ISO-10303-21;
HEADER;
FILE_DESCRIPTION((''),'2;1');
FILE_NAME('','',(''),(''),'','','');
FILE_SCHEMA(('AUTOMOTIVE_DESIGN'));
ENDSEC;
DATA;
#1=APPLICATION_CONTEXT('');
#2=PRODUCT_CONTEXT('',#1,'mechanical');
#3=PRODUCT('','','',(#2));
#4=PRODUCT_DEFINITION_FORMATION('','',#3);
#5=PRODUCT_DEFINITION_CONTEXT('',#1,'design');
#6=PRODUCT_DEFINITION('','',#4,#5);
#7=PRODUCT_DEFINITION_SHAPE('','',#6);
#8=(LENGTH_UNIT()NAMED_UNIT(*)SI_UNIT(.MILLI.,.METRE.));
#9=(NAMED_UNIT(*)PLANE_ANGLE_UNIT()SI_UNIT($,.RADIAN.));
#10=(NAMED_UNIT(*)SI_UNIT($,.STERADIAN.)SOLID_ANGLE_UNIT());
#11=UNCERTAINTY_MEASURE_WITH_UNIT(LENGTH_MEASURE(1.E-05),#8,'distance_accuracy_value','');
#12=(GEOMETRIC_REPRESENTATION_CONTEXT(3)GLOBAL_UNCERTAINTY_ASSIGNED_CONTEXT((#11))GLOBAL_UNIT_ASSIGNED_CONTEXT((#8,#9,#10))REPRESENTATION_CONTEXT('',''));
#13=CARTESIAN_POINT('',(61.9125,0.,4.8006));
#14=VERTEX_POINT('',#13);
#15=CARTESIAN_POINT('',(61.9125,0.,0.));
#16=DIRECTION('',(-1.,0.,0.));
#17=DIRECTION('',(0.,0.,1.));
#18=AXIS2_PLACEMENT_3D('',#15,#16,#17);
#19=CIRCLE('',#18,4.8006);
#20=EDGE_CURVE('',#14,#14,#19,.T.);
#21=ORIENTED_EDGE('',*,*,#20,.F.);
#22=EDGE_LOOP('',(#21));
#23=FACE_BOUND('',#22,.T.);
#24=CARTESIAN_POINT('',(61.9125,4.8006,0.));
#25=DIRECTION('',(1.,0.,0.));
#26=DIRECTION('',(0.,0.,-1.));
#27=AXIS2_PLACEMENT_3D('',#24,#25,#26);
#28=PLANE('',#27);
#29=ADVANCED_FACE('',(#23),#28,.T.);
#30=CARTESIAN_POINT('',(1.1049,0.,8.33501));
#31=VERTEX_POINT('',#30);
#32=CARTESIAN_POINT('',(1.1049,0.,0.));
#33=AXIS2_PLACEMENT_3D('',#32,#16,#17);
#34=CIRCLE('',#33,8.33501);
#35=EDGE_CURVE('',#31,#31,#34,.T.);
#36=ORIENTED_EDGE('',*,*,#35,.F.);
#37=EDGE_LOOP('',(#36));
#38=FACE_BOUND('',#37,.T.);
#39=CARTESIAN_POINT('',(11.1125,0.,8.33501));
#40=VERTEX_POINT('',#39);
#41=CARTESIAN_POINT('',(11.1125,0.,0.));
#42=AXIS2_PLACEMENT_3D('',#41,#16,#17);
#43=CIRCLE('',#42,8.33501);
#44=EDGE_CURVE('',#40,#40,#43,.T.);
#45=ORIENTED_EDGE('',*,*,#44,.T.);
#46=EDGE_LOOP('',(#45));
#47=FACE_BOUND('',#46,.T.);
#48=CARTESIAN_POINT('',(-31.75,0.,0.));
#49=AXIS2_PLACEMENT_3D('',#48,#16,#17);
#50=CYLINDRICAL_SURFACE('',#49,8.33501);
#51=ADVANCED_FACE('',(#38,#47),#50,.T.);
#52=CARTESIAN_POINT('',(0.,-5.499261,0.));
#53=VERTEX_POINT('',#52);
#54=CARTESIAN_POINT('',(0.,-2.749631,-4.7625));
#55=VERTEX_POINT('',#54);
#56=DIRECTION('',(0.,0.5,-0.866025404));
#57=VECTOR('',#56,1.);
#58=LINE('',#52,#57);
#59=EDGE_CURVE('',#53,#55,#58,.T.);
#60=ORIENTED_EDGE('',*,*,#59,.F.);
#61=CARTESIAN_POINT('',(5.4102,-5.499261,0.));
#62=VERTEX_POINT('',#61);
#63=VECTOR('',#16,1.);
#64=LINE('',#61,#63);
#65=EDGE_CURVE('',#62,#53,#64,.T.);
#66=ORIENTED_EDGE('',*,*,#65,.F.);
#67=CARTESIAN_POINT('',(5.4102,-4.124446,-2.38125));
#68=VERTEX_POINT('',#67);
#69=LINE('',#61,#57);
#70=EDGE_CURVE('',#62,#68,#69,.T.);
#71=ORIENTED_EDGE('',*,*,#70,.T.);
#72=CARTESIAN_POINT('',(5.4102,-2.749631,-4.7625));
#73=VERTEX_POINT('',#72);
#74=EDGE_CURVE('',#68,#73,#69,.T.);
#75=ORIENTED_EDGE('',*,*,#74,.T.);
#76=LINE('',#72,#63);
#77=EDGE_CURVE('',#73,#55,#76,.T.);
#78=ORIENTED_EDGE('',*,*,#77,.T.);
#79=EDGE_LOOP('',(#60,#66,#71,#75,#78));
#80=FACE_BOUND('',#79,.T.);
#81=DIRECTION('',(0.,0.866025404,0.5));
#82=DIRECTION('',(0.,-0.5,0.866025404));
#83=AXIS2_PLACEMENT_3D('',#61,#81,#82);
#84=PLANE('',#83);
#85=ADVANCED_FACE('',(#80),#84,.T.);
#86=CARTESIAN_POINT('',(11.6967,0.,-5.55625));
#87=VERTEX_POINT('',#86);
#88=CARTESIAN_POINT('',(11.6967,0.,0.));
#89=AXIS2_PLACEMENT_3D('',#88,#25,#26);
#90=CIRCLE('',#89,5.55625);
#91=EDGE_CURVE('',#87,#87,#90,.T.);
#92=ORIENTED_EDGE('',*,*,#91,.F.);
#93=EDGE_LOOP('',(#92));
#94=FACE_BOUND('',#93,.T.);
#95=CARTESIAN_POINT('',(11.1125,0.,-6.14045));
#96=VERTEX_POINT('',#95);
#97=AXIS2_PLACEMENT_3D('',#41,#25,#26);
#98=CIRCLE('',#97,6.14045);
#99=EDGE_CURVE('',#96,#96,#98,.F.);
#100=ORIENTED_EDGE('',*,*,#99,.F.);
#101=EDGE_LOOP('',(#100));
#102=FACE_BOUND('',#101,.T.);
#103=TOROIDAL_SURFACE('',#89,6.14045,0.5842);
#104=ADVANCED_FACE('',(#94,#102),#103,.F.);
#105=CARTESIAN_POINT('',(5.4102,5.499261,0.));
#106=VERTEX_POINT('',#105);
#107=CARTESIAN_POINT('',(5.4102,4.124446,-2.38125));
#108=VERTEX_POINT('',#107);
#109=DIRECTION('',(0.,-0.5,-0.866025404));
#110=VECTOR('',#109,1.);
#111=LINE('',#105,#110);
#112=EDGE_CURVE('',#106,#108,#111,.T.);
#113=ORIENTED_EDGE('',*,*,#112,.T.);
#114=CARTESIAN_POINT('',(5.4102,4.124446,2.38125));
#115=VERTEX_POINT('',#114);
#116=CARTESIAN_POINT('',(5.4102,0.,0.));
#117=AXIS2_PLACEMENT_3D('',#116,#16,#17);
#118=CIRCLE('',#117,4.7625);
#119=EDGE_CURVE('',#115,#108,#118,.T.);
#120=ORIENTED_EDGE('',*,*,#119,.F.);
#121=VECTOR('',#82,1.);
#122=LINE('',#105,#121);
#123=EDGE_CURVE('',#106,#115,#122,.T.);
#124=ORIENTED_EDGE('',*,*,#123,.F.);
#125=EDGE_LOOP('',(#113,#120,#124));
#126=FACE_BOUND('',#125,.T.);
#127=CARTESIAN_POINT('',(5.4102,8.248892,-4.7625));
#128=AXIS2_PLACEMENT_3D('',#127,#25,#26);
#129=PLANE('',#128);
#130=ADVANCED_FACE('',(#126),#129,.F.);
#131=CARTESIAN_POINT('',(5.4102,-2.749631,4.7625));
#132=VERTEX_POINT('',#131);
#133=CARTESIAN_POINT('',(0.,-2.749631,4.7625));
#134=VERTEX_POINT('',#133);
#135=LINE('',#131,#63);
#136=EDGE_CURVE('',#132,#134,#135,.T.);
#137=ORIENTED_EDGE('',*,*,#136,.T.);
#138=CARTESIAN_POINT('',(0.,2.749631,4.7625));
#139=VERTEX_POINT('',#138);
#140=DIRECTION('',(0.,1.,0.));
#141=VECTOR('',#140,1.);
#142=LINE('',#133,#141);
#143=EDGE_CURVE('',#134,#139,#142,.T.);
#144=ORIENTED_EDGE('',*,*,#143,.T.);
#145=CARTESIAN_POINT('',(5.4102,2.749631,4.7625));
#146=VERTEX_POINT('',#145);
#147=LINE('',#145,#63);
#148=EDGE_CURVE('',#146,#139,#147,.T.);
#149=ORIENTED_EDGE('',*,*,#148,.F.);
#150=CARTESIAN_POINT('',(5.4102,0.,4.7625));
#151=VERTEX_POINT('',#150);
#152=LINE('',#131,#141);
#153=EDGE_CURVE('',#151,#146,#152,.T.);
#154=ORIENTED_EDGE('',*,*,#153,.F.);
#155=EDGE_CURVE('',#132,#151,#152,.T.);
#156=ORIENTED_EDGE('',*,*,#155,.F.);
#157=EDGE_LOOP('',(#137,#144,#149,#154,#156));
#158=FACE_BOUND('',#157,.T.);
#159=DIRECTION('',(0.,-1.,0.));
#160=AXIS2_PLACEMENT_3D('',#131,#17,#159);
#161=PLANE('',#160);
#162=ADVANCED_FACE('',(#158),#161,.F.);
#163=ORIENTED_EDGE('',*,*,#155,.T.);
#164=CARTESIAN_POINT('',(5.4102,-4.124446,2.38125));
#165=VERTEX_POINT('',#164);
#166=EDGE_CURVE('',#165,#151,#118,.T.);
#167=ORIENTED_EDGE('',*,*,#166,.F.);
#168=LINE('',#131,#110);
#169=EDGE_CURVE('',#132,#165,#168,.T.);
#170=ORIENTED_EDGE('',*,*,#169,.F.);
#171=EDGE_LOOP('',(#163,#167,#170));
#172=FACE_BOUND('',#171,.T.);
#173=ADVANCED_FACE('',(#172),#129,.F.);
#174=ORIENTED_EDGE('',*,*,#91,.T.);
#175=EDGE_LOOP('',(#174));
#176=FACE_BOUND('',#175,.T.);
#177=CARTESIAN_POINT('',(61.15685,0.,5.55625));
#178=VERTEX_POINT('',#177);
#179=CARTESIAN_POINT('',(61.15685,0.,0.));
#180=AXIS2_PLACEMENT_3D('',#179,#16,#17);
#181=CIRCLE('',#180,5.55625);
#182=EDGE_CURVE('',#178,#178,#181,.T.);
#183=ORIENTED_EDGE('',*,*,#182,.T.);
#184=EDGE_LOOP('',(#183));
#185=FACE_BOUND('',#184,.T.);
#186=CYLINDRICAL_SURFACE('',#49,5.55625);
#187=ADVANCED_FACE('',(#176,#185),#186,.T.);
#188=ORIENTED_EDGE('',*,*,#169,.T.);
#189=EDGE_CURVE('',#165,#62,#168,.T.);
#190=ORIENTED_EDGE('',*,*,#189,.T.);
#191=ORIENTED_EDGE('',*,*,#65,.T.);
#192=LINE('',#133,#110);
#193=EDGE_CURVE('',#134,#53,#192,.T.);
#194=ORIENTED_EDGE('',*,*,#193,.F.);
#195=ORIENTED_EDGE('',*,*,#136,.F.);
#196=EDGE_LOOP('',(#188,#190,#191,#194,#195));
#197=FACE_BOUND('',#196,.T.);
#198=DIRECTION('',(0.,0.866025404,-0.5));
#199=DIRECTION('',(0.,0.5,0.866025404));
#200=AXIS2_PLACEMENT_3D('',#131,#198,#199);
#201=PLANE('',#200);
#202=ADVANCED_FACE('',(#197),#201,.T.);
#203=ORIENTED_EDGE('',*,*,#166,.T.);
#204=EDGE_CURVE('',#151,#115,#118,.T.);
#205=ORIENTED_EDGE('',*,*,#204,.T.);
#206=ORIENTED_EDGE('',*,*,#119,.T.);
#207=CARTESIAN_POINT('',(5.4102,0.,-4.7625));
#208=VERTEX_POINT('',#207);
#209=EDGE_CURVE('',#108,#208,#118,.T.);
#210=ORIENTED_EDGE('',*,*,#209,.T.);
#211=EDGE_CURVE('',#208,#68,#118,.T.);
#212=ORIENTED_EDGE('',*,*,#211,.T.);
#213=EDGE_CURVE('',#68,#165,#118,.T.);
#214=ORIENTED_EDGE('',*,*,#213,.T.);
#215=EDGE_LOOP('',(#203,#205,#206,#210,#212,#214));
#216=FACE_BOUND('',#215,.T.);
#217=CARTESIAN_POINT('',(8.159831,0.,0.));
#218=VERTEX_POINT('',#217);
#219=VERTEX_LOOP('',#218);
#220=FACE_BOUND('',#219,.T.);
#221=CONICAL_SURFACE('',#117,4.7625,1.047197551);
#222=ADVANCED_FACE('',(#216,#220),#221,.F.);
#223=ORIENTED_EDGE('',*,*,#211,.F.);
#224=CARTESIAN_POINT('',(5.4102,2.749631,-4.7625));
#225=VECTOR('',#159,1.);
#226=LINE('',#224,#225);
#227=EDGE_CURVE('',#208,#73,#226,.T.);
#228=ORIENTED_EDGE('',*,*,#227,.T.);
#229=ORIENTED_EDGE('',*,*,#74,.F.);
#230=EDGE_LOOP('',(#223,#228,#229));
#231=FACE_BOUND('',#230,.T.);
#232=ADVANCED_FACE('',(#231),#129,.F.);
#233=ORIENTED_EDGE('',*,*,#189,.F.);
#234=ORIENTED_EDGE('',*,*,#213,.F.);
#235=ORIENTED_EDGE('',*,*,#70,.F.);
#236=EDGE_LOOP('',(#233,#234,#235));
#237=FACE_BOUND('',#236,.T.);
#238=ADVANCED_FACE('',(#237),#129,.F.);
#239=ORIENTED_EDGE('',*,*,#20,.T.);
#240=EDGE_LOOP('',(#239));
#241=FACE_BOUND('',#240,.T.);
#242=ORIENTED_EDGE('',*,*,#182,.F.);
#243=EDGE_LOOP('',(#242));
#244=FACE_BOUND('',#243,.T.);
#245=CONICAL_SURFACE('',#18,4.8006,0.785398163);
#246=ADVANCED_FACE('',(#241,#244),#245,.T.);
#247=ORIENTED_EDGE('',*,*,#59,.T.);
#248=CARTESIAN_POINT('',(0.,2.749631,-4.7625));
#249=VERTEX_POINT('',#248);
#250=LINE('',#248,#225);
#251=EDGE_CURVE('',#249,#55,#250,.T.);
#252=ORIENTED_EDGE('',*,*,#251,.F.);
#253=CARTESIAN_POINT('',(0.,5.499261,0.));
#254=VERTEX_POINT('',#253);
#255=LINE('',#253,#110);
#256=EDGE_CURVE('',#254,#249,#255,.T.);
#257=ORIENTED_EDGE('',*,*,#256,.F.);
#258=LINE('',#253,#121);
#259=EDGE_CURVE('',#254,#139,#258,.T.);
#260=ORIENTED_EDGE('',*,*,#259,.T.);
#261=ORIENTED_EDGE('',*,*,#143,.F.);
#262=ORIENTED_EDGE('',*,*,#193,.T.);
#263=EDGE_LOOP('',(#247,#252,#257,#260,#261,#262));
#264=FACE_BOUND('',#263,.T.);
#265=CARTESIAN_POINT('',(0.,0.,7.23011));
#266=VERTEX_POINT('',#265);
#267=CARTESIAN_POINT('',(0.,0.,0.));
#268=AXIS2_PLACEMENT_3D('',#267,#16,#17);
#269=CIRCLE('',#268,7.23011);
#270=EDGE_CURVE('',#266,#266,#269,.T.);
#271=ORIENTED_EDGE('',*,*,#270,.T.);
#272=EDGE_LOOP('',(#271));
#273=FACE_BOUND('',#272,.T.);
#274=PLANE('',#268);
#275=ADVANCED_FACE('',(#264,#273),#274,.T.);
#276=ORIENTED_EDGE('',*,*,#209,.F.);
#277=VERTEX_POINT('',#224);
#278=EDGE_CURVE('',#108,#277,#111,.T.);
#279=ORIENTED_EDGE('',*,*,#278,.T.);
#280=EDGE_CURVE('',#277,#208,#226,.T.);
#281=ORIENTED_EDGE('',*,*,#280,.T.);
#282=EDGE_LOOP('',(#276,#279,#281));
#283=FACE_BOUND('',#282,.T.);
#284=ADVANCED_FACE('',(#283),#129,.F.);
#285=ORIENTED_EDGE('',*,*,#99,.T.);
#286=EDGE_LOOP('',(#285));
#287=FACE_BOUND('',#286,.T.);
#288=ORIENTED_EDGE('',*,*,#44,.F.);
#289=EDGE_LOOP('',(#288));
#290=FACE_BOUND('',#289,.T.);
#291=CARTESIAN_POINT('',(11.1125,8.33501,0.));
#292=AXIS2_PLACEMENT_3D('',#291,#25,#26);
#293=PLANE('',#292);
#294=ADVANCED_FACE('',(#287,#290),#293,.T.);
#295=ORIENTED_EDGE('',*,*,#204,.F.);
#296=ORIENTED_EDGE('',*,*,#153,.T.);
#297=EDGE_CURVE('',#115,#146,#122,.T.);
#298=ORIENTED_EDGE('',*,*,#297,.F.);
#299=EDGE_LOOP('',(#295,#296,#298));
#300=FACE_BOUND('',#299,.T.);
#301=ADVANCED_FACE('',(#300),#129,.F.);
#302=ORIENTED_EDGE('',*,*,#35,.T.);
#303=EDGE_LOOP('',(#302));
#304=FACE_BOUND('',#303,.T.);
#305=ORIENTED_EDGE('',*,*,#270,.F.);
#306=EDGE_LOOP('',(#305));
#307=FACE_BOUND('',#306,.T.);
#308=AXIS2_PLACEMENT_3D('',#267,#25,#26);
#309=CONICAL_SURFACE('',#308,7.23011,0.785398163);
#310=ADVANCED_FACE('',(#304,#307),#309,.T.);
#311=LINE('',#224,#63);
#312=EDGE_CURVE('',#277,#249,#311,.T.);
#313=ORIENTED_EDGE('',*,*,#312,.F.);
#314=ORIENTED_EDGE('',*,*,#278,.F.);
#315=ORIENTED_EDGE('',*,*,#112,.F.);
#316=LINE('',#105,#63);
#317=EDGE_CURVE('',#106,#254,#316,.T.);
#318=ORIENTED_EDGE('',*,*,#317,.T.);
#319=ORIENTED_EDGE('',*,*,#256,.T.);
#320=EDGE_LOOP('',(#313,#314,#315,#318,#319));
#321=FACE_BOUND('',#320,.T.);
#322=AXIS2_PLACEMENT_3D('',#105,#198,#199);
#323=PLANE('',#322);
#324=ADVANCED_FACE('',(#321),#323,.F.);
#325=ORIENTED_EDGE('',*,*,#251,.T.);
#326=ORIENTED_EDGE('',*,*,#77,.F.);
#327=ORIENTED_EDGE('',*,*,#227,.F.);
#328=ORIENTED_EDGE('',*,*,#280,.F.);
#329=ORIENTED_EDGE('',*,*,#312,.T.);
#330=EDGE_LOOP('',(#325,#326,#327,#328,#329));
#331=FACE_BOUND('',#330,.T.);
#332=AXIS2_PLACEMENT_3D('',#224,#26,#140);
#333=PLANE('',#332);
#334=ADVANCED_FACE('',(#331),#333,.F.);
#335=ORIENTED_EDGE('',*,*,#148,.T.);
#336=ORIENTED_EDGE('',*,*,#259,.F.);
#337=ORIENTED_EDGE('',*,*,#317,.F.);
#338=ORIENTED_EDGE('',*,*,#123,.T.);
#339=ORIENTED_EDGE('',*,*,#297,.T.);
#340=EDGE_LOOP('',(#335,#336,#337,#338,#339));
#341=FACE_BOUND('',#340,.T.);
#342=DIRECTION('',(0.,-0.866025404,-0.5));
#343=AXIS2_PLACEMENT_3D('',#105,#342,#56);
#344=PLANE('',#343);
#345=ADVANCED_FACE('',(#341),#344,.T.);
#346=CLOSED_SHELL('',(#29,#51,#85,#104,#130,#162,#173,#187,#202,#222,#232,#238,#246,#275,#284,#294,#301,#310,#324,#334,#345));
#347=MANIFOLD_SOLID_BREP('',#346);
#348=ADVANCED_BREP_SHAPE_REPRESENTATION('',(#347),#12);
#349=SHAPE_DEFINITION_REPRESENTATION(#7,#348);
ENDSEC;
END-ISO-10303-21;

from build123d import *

# Parameters (mm, degrees)
FILLET1_R   = 0.5842
HEX_2_DEPTH = 5.4102


with BuildPart() as part:
    # BodySke → Base-Revolve (revolve)
    with BuildSketch(Plane.XY):
        Polygon((0, 0), (0, 7.23011), (1.1049, 8.33501), (11.1125, 8.33501), (11.1125, 5.55625), (61.15685, 5.55625), (61.9125, 4.8006), (61.9125, 0), align=None)
    revolve(axis=Axis((-31.75, 0, 0), (1, 0, 0)))

    # Fillet1
    fillet1_edges = [part.edges().sort_by_distance(p)[0] for p in [
        (11.1125, -5.55625, 0),
    ]]
    fillet(fillet1_edges, radius=FILLET1_R)

    # Sketch2 → Hex-PreBroach (revolve, cut)
    with BuildSketch(Plane.XY):
        Polygon((0, 4.7625), (5.4102, 4.7625), (8.159830657, 0), (0, 0), align=None)
    revolve(axis=Axis((0, 0, 0), (1, 0, 0)), mode=Mode.SUBTRACT)

    # Sketch3 → Hex 2 (cut)
    with BuildSketch(Plane(origin=(0, 0, 0), x_dir=(0, 0.5, 0.866025404), z_dir=(-1, 0, 0))):
        Polygon((2.749630657, 4.7625), (-2.749630657, 4.7625), (-5.499261314, 0), (-2.749630657, -4.7625), (2.749630657, -4.7625), (5.499261314, 0), align=None)
    extrude(amount=-HEX_2_DEPTH, mode=Mode.SUBTRACT)


solid = part.part
